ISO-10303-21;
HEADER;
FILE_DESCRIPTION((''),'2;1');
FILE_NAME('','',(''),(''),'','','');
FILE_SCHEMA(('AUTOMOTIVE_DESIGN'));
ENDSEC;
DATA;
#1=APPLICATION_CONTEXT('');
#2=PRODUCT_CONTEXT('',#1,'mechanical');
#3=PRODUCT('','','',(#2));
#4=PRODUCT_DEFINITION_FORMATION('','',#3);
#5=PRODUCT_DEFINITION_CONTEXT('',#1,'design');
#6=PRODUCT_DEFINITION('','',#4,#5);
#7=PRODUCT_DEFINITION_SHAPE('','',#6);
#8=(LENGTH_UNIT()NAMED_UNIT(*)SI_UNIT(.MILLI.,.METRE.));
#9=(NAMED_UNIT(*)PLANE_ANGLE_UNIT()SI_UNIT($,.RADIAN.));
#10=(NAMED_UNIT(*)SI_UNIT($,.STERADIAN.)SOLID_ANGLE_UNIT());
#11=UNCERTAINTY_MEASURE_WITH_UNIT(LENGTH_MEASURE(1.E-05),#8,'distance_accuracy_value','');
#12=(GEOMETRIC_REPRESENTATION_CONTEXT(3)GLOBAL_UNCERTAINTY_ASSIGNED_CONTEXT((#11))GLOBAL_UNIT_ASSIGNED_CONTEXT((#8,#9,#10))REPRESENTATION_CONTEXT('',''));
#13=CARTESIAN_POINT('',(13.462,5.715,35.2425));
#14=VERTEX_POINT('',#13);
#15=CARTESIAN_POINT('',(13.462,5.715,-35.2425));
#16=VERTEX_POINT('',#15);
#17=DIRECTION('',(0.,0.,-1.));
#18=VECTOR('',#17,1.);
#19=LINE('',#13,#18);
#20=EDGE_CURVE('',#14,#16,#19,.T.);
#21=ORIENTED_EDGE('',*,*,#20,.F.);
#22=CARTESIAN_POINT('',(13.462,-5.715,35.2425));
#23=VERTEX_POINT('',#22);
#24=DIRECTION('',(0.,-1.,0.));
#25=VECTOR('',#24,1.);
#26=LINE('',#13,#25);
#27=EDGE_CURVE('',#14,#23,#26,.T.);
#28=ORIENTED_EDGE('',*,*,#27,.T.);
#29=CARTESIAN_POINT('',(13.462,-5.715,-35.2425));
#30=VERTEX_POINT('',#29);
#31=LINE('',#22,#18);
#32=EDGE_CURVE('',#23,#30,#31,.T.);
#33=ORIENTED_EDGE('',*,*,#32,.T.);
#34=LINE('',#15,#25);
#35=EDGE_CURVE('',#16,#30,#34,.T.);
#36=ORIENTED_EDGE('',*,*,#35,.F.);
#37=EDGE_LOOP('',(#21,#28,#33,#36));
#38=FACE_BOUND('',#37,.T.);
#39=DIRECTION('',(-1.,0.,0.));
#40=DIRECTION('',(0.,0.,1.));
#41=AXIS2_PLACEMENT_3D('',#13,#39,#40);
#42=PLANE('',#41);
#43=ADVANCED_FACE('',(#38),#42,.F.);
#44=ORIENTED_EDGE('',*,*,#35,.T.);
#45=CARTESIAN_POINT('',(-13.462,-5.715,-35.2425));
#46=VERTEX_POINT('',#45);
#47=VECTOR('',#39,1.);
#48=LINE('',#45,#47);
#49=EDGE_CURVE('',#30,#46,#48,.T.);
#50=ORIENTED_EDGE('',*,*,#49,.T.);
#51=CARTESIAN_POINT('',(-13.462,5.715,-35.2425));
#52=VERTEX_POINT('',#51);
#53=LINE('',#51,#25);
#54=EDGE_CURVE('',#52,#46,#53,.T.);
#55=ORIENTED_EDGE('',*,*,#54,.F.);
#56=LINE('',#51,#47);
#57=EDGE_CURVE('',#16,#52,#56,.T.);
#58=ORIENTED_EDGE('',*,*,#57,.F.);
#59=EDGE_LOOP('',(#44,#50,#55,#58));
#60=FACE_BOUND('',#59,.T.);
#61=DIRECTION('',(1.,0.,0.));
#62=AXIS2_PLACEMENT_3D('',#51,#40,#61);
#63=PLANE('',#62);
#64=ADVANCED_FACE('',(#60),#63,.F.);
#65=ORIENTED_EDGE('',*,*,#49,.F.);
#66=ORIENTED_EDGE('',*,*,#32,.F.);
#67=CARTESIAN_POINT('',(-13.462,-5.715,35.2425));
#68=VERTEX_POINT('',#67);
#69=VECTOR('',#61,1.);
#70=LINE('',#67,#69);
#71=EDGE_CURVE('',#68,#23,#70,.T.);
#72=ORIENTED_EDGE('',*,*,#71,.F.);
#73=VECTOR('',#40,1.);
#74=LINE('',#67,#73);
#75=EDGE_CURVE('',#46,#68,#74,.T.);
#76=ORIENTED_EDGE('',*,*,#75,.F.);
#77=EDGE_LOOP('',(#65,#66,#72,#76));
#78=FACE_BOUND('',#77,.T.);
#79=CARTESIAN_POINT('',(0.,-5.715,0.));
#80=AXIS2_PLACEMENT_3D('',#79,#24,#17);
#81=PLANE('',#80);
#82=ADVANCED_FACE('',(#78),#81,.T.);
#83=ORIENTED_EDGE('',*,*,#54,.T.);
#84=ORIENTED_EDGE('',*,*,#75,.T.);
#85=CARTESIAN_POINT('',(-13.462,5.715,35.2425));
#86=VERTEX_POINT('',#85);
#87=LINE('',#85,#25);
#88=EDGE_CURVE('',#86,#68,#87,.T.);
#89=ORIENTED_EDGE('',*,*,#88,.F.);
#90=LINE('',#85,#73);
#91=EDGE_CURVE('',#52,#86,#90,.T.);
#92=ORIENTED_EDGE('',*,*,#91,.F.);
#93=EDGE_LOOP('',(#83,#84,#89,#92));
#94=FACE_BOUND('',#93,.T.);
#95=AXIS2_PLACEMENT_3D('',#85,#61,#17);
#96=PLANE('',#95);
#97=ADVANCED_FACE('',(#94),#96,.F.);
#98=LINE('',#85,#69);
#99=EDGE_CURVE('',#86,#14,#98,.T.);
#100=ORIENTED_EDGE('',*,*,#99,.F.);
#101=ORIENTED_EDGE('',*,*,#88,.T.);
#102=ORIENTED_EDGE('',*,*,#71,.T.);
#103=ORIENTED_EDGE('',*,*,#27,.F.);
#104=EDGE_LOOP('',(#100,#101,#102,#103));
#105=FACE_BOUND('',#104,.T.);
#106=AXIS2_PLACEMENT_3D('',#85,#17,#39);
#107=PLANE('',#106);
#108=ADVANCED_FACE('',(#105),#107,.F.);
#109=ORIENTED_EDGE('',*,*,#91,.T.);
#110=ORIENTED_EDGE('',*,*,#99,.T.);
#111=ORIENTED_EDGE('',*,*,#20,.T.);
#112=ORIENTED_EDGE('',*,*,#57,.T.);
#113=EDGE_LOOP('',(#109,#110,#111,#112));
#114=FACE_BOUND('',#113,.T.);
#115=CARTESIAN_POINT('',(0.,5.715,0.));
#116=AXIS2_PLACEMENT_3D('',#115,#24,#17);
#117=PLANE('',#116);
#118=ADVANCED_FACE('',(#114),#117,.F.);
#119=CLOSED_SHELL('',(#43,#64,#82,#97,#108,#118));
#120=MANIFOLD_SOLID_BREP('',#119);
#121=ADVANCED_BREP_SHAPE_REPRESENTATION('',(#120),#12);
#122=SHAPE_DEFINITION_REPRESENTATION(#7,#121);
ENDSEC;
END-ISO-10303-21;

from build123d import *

# Parameters (mm, degrees)
SKETCH1_W           = 26.924
SKETCH1_H           = 70.485
BOSS_EXTRUDE1_DEPTH = 5.715


with BuildPart() as part:
    # Sketch1 → Boss-Extrude1 (new body, symmetric)
    with BuildSketch(Plane(origin=(0, 0, 0), x_dir=(1, 0, 0), z_dir=(0, 1, 0))):
        Rectangle(SKETCH1_W, SKETCH1_H)
    extrude(amount=BOSS_EXTRUDE1_DEPTH, both=True)


solid = part.part
